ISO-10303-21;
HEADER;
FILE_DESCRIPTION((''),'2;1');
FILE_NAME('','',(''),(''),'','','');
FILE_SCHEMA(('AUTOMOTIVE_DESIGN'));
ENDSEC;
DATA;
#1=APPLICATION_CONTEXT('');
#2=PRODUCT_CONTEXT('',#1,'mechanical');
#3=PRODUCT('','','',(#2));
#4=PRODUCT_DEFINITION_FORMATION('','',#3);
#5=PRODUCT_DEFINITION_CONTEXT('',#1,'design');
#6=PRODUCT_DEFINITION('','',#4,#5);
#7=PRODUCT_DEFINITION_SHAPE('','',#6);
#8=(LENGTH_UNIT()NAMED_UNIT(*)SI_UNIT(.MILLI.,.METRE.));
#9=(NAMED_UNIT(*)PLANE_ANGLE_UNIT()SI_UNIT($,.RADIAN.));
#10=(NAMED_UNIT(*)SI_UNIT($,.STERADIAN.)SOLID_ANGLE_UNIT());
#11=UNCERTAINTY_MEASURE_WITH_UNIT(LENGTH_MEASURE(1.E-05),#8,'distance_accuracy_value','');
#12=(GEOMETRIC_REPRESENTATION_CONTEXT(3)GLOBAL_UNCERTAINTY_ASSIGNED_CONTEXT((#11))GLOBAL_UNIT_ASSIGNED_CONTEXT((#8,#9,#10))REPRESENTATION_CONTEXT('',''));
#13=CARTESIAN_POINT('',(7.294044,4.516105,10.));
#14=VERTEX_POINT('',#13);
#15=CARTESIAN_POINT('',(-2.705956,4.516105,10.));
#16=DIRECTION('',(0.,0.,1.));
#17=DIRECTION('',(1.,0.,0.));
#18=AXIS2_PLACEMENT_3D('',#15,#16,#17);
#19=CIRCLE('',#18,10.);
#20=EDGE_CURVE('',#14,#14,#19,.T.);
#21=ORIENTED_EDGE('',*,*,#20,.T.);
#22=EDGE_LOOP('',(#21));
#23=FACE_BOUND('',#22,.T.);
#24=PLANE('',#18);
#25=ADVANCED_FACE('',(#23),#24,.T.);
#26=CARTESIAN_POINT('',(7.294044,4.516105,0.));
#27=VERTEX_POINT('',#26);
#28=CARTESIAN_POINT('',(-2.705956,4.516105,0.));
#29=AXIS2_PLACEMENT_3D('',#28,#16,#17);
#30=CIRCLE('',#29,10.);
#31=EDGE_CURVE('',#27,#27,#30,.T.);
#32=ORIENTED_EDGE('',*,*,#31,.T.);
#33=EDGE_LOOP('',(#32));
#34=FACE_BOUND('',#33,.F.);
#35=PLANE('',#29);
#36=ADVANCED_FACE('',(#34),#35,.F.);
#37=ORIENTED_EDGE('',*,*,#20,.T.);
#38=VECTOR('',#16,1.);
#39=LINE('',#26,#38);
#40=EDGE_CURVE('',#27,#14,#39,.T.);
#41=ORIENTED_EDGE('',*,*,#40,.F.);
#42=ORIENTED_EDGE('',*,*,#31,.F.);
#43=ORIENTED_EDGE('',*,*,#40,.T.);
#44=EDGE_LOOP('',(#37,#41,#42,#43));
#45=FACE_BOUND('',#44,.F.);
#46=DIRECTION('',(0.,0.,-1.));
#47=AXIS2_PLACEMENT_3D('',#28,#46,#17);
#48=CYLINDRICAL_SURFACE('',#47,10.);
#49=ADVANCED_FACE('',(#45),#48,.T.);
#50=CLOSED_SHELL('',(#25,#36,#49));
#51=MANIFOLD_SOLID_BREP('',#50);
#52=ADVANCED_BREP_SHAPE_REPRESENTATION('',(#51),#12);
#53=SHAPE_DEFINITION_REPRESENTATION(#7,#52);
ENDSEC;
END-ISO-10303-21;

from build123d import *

# Parameters (mm, degrees)
CROQUIS1_R              = 10
SALIENTE_EXTRUIR1_DEPTH = 10


with BuildPart() as part:
    # Croquis1 → Saliente-Extruir1 (new body)
    with BuildSketch(Plane.XY):
        with Locations((-2.705955996, 4.516104641)):
            Circle(CROQUIS1_R)
    extrude(amount=SALIENTE_EXTRUIR1_DEPTH)


solid = part.part
